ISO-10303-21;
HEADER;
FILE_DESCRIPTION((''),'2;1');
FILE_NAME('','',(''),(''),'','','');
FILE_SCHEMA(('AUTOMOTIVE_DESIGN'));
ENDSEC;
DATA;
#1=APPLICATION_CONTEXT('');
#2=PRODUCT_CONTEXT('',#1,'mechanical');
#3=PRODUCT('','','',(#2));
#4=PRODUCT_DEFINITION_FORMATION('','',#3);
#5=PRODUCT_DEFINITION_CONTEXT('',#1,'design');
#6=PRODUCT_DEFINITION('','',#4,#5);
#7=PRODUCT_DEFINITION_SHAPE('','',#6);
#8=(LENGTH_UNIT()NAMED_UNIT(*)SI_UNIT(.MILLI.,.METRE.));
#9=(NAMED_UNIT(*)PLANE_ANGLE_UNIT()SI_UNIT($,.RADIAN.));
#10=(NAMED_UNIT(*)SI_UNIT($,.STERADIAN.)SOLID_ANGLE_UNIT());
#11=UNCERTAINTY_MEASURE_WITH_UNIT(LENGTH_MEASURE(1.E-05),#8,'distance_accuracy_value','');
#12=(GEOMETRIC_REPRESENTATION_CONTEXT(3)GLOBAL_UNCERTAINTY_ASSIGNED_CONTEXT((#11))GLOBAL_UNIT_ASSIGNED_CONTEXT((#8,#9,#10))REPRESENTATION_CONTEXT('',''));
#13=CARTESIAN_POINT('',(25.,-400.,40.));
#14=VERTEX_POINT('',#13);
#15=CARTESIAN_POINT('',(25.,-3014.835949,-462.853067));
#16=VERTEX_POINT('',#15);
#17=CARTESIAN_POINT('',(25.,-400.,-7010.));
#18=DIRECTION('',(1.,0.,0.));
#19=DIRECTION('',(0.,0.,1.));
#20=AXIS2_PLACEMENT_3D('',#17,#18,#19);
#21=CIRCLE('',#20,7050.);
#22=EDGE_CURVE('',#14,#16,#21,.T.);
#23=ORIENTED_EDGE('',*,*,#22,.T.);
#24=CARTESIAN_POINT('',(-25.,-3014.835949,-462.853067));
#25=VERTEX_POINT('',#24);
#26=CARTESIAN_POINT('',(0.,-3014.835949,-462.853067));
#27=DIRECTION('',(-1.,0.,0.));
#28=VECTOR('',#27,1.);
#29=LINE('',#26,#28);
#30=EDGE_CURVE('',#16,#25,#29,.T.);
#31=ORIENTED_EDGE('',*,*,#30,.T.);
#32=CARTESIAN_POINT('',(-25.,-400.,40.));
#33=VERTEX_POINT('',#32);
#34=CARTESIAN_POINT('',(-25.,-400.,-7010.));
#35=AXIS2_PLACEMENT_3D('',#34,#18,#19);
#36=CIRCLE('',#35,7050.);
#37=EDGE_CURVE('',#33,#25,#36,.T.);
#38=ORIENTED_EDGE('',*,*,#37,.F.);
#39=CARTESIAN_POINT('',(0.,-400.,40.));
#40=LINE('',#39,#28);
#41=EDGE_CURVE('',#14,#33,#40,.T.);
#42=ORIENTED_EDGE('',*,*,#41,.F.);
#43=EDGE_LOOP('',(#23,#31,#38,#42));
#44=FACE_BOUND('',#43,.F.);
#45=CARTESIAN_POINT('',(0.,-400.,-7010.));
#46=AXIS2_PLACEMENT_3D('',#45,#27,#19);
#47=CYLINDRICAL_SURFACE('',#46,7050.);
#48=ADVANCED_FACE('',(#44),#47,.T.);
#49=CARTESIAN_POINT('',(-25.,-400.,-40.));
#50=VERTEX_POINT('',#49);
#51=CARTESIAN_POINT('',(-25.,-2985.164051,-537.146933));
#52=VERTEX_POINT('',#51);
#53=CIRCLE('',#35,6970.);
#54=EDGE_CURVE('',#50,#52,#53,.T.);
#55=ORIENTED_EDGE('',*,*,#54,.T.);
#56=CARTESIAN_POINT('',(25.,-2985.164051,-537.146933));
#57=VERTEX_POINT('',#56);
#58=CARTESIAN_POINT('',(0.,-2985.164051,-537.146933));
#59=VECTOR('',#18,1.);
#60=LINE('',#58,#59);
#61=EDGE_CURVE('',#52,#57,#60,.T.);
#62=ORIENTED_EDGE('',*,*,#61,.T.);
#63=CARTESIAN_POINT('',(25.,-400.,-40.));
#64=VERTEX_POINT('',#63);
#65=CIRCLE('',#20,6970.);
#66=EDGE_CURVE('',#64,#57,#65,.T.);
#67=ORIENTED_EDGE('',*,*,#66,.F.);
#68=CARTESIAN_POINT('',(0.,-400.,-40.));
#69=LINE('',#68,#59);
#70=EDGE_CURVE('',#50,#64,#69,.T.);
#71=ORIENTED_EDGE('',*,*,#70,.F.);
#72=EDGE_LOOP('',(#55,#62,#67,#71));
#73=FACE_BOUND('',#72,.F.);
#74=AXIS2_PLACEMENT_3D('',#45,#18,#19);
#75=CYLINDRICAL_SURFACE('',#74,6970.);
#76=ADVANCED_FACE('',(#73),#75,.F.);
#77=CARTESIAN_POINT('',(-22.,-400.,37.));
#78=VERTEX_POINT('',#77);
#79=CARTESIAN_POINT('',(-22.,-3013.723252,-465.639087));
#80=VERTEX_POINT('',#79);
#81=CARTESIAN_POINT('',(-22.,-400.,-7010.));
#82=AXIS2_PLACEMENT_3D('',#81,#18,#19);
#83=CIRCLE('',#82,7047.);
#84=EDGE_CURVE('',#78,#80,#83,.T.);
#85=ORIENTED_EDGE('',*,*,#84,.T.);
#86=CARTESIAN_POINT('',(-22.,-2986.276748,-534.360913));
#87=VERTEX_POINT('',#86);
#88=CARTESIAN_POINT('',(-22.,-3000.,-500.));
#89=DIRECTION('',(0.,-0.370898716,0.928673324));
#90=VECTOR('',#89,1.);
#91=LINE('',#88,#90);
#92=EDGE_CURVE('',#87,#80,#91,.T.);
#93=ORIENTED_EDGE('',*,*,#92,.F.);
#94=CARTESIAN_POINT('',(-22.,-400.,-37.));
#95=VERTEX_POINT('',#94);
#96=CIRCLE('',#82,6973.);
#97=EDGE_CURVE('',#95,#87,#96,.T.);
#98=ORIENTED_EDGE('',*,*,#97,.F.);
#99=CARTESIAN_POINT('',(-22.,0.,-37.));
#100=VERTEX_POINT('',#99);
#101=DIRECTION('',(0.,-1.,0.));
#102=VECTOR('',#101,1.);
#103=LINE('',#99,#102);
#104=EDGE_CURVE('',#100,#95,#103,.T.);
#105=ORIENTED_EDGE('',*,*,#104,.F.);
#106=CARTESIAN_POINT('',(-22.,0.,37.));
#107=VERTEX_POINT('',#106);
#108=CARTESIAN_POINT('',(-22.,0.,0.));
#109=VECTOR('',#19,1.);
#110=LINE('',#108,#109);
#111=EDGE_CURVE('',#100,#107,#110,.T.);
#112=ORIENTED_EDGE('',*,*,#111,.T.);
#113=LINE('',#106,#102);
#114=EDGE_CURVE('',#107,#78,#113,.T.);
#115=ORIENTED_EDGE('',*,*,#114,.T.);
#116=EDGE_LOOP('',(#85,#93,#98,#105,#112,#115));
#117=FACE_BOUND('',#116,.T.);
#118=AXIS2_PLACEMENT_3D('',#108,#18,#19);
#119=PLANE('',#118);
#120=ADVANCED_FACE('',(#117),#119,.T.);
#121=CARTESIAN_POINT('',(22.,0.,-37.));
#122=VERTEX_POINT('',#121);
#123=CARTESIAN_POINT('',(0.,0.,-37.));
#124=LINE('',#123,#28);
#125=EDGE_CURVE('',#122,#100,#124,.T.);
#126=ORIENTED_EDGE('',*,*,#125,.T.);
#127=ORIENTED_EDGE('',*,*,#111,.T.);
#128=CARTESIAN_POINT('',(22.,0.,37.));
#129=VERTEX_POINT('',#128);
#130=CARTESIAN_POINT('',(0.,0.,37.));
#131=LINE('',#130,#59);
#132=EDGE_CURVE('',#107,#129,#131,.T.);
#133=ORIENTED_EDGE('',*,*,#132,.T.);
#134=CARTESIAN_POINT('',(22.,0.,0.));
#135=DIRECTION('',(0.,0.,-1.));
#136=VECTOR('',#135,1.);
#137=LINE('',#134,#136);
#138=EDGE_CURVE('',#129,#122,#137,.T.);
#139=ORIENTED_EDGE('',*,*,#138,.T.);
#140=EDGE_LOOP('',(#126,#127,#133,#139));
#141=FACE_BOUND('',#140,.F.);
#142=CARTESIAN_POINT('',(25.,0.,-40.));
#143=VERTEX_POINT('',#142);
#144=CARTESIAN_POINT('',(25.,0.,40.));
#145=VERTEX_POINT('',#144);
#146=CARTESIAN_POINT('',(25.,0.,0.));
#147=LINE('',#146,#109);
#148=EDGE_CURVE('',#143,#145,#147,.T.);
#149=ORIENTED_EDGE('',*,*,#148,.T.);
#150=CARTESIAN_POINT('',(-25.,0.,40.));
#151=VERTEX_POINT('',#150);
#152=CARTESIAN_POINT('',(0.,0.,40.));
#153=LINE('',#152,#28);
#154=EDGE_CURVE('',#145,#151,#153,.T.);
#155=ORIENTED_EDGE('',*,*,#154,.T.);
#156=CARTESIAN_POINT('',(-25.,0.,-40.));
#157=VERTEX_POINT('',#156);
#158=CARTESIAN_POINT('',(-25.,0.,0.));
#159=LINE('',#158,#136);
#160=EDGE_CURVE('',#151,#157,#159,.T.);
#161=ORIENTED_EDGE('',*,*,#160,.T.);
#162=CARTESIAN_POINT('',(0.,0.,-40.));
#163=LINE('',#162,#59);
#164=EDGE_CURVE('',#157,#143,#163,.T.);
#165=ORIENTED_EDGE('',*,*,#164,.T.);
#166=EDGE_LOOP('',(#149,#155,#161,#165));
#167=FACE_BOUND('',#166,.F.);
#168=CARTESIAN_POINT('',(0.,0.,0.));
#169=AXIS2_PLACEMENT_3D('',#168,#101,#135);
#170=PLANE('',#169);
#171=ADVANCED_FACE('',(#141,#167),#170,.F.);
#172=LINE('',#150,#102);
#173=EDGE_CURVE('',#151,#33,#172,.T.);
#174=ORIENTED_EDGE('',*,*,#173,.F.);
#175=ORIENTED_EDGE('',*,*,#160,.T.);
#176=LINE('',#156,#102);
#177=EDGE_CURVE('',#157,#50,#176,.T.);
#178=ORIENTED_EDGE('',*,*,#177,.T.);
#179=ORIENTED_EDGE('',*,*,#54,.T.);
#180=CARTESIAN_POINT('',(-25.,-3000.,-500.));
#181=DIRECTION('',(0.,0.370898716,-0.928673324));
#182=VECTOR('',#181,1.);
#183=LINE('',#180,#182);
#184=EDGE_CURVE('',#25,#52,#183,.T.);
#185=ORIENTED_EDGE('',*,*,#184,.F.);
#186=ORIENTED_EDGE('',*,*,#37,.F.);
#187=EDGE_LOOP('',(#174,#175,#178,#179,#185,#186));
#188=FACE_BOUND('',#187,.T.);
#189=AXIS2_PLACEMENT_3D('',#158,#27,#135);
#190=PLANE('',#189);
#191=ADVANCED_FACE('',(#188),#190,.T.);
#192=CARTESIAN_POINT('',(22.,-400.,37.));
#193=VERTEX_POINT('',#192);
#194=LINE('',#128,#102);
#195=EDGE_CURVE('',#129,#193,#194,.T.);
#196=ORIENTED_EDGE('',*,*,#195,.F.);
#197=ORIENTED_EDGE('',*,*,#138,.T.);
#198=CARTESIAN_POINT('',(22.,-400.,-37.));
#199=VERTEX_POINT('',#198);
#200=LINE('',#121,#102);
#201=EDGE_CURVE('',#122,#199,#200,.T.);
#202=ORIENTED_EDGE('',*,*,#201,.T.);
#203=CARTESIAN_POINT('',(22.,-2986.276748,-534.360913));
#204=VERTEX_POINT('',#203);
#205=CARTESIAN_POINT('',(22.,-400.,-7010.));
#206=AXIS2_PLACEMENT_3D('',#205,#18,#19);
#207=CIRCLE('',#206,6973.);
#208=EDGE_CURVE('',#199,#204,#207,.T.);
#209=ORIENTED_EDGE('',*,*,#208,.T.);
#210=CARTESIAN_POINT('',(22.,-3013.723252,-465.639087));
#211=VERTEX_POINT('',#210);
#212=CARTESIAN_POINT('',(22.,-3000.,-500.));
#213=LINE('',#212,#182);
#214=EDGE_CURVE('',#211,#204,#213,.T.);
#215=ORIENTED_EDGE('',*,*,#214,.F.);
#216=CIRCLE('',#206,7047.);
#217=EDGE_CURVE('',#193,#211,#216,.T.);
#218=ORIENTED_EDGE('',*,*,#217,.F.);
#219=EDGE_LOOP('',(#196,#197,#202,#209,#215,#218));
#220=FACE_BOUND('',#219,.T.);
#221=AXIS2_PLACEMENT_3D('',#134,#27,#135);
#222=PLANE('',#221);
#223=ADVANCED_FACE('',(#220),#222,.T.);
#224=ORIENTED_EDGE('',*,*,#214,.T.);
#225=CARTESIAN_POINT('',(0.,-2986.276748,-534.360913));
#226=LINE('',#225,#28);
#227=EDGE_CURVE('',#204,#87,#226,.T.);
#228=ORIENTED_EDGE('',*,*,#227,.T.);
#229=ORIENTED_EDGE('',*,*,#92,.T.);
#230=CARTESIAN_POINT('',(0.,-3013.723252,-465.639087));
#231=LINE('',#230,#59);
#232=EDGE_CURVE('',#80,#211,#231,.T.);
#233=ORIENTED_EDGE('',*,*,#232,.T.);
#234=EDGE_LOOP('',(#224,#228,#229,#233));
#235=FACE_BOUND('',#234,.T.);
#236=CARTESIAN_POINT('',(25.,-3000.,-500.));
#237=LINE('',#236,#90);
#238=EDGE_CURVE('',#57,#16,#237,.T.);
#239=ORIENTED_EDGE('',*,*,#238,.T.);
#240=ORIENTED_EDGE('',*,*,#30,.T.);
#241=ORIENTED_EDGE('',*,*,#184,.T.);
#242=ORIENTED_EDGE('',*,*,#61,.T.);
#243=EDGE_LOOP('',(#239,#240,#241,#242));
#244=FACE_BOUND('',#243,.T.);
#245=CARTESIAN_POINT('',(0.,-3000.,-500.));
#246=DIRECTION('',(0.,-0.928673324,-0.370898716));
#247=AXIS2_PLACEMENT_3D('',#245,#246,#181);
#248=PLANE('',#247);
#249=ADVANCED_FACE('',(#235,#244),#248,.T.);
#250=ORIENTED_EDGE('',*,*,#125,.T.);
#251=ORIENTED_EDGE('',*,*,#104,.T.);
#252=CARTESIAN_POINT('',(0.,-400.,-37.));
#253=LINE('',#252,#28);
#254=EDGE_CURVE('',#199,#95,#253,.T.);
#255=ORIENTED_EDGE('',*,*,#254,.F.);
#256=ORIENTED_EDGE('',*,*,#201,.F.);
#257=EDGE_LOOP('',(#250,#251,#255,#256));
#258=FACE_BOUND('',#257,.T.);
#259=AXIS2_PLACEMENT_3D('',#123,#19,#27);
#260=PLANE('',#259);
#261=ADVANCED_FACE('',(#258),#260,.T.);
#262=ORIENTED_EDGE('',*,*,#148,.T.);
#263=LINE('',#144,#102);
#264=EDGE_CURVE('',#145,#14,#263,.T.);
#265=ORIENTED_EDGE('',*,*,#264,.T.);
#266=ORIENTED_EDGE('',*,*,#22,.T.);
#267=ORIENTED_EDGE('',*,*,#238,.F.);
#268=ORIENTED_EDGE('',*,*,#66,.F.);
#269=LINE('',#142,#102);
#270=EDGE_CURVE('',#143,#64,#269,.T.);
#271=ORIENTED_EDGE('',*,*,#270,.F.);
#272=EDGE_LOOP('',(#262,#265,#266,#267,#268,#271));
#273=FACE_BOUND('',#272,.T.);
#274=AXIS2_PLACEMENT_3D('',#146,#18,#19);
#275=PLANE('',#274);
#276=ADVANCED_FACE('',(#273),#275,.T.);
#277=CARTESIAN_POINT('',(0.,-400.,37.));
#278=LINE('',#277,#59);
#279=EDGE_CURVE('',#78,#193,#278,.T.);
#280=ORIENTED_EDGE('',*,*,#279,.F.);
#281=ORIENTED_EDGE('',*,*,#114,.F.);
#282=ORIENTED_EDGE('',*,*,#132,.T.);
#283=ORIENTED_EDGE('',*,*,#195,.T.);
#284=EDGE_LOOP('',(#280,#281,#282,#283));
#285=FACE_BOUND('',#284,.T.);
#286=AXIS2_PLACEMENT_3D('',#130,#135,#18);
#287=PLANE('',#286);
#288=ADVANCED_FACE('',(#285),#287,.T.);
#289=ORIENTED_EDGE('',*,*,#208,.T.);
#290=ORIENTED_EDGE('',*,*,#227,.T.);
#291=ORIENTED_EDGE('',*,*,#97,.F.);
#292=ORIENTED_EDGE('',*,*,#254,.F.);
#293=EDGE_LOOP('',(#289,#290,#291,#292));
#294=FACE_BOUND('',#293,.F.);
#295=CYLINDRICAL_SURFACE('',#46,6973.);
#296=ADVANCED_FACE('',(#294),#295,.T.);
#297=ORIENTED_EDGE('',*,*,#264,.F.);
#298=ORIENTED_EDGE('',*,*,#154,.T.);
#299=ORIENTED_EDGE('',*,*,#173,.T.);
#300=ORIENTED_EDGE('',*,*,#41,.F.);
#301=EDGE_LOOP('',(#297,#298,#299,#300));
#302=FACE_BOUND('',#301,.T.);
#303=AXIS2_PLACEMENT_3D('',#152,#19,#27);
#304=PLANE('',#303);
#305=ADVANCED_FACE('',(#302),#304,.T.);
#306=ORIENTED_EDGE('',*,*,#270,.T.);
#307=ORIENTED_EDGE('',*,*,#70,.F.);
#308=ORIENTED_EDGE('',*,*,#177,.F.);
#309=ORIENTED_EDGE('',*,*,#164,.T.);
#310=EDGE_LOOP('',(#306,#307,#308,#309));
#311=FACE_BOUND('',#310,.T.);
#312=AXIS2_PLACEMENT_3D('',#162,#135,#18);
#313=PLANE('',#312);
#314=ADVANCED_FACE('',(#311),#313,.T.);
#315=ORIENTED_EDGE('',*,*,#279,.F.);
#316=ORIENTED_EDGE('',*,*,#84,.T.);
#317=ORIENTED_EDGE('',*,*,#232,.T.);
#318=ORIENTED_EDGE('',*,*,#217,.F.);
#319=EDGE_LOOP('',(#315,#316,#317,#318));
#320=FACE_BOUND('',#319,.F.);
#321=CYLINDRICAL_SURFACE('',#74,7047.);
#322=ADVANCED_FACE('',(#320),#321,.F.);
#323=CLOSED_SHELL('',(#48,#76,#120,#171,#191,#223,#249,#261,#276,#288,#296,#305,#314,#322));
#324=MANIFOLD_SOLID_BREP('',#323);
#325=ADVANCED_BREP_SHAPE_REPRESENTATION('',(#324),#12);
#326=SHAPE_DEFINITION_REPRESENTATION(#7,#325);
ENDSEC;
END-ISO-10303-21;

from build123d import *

# Parameters (mm, degrees)
F0_W   = 50
F0_H   = 80
F0_W_2 = 44
F0_H_2 = 74


with BuildPart() as f2:
    # F2: sweep along a path in F1
    with BuildLine(Plane.YZ) as f2_path:
        Line((0, 0), (-400, 0))
        ThreePointArc((-400, 0), (-1723.8202294874, -126.1348066657), (-3000, -500))
    # F0 (on Front) → F2 (sweep)
    with BuildSketch(Plane.XZ):
        Rectangle(F0_W, F0_H)
        Rectangle(F0_W_2, F0_H_2, mode=Mode.SUBTRACT)
    sweep(path=f2_path.line)


solid = f2.part
